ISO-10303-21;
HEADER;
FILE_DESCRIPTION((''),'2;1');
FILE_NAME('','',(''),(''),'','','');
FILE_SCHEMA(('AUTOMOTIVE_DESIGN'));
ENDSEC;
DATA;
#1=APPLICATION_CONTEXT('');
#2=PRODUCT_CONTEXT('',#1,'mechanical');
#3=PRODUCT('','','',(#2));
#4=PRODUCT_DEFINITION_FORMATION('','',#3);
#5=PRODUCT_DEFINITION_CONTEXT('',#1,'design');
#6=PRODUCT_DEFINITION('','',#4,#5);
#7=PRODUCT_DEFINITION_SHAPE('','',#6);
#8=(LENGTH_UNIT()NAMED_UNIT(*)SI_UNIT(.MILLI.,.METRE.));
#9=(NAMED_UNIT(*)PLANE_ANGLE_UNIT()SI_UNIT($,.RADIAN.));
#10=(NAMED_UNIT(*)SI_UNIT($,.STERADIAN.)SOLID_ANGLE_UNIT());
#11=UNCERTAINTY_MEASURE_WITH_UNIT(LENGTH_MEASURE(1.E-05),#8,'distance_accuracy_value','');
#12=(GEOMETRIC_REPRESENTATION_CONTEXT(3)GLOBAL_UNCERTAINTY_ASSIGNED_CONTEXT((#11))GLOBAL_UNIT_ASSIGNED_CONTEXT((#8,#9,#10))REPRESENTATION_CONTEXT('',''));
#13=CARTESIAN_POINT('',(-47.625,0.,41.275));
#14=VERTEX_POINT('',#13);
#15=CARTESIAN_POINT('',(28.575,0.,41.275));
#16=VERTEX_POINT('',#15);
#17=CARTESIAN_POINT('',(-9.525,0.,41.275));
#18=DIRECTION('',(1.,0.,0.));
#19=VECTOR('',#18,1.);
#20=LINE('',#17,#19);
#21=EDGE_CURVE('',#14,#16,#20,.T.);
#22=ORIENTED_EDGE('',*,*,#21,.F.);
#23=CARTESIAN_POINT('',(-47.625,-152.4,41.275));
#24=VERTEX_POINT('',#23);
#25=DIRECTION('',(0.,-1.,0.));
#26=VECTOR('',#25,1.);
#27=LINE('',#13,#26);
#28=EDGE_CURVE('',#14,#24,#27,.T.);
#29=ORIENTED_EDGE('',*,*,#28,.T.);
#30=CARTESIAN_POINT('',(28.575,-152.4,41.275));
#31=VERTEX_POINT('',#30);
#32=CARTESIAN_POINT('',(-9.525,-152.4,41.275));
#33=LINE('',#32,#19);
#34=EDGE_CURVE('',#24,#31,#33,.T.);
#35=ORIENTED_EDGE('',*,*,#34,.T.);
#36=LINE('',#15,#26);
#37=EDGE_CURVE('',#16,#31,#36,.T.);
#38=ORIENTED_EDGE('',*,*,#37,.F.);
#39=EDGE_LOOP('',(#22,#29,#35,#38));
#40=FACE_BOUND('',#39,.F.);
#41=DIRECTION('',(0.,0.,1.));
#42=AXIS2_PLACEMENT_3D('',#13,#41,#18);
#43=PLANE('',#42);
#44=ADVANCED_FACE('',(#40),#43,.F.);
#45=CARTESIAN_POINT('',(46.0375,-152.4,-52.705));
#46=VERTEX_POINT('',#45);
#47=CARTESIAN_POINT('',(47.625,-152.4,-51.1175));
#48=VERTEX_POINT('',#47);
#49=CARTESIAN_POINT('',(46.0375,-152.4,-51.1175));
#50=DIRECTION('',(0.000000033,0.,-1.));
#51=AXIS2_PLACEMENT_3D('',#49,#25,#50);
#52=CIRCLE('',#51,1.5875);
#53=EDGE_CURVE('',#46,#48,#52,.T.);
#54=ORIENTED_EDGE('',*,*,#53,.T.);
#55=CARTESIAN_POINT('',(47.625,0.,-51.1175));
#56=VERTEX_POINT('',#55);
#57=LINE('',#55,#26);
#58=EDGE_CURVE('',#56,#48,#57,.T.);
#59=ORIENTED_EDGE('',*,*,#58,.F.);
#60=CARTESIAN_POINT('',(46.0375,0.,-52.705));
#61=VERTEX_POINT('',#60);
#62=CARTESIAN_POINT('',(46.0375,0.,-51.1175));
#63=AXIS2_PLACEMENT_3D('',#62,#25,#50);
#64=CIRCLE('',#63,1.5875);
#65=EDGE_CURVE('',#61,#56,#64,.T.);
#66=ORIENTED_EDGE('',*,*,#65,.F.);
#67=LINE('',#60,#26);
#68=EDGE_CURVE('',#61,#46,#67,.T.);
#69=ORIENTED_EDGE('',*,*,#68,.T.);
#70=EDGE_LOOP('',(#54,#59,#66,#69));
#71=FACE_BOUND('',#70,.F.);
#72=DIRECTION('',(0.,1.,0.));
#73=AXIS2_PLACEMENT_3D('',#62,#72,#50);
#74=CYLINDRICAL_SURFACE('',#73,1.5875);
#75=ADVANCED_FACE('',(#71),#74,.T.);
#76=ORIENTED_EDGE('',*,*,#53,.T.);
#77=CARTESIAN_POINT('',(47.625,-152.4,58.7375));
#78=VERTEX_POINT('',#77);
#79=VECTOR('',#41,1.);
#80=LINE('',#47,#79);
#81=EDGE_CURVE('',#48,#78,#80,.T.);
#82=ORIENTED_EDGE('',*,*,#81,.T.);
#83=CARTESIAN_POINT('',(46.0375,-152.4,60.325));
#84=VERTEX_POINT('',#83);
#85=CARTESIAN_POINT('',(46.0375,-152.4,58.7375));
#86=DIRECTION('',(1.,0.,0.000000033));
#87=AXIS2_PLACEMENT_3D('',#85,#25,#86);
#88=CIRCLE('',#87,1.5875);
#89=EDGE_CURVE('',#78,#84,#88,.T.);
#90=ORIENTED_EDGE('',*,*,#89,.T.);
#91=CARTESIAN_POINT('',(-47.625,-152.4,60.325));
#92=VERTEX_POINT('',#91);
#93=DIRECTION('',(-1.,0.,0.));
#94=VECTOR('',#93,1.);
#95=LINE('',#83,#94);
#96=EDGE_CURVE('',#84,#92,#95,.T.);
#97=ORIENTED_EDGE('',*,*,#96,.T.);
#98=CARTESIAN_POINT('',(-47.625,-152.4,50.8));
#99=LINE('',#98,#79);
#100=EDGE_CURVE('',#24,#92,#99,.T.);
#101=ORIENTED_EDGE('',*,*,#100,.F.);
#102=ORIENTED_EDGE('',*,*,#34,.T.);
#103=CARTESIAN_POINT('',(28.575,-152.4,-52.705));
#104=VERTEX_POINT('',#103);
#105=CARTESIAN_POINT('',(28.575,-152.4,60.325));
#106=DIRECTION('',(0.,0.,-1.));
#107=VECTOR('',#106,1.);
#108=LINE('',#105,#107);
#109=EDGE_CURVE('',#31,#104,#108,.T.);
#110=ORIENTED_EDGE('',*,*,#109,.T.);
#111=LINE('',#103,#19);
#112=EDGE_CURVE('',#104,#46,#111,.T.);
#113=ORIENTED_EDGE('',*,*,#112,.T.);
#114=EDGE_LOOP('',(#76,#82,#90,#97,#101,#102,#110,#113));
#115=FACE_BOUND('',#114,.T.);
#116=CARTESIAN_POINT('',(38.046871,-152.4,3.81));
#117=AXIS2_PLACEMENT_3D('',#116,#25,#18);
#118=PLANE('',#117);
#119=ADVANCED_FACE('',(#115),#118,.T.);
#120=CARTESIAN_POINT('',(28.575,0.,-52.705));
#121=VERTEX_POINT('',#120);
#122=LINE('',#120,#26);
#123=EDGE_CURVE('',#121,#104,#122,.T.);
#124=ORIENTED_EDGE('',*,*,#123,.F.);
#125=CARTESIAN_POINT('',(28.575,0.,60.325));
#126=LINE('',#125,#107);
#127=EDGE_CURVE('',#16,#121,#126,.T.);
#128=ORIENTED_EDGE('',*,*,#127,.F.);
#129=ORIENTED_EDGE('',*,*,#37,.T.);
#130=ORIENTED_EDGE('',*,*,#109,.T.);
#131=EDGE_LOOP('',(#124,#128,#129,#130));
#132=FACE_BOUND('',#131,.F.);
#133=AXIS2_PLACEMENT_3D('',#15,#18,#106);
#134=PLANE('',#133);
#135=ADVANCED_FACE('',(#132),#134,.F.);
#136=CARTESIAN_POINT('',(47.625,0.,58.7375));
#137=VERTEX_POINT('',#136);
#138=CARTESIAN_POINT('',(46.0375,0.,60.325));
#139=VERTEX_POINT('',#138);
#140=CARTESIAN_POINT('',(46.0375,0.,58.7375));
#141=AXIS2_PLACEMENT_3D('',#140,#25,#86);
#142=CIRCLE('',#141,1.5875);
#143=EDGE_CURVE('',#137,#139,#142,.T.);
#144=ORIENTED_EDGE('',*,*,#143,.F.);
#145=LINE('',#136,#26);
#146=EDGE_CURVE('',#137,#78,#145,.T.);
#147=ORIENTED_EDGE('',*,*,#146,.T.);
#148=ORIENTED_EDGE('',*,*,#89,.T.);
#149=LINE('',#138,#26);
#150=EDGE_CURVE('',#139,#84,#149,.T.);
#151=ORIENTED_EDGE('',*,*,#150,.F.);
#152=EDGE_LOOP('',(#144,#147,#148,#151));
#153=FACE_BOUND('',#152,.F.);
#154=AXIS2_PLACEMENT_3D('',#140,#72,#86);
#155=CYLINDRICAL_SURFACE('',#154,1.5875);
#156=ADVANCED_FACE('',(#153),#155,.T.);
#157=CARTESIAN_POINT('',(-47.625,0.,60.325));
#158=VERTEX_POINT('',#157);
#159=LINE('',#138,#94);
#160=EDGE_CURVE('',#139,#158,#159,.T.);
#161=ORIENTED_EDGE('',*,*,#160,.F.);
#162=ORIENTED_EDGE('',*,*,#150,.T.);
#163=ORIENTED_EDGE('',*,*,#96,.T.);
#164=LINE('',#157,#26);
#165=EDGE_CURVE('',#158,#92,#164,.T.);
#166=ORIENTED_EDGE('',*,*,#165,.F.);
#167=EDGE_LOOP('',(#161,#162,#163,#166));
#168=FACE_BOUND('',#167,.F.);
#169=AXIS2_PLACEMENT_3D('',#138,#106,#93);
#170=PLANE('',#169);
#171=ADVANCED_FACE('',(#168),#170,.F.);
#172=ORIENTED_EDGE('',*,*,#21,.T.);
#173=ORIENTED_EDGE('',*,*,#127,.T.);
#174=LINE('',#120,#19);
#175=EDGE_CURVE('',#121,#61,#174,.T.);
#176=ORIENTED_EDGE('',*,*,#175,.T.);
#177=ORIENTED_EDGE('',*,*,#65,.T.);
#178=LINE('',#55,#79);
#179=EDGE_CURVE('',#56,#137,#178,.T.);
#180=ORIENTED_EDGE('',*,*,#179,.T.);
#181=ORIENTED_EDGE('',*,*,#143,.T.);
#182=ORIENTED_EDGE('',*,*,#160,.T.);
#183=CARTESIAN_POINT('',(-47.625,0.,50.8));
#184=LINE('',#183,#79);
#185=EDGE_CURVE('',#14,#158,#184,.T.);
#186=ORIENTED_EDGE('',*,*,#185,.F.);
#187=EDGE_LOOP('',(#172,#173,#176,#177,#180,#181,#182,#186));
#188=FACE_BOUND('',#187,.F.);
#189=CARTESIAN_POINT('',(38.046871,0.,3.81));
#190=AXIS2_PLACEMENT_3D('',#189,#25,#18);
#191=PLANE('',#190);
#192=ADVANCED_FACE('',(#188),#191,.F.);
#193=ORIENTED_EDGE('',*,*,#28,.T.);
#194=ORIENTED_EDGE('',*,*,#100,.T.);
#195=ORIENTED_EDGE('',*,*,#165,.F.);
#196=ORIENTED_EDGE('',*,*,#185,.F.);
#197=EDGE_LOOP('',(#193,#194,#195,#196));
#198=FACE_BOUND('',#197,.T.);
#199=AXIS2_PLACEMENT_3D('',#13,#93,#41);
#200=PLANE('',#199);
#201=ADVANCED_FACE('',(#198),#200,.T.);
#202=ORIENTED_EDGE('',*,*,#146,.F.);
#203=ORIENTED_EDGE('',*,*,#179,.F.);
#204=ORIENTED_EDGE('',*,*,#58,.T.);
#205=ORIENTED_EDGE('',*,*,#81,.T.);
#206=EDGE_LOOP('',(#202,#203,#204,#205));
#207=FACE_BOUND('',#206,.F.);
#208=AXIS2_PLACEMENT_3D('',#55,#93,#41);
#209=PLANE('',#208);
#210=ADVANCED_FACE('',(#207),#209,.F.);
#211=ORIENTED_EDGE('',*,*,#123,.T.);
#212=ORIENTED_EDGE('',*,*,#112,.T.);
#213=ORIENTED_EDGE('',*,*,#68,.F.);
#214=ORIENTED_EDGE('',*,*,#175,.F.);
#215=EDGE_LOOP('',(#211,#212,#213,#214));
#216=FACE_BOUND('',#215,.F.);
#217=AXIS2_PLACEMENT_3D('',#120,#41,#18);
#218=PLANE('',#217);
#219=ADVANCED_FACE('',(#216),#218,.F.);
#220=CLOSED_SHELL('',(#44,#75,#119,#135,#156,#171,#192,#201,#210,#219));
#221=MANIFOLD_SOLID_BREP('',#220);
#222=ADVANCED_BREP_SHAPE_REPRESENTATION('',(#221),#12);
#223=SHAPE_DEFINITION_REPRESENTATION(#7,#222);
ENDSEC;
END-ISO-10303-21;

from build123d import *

# Parameters (mm, degrees)
F0_W     = 76.2
F0_H     = 19.05
F1_DEPTH = 152.4


with BuildPart() as f1:
    # F0 (on Front) → F1 (new body)
    with BuildSketch(Plane.XZ):
        with BuildLine():
            Line((46.0375, 60.325), (28.575, 60.325))
            Line((28.575, 60.325), (28.575, 41.275))
            Line((28.575, 41.275), (28.575, -52.705))
            Line((28.575, -52.705), (46.0375, -52.705))
            ThreePointArc((46.0375, -52.705), (47.160032, -52.240032), (47.625, -51.1175))
            Line((47.625, -51.1175), (47.625, 58.7375))
            ThreePointArc((47.625, 58.7375), (47.160032, 59.860032), (46.0375, 60.325))
        make_face()
        with Locations((-9.525, 50.8)):
            Rectangle(F0_W, F0_H)
    extrude(amount=F1_DEPTH)


solid = f1.part
